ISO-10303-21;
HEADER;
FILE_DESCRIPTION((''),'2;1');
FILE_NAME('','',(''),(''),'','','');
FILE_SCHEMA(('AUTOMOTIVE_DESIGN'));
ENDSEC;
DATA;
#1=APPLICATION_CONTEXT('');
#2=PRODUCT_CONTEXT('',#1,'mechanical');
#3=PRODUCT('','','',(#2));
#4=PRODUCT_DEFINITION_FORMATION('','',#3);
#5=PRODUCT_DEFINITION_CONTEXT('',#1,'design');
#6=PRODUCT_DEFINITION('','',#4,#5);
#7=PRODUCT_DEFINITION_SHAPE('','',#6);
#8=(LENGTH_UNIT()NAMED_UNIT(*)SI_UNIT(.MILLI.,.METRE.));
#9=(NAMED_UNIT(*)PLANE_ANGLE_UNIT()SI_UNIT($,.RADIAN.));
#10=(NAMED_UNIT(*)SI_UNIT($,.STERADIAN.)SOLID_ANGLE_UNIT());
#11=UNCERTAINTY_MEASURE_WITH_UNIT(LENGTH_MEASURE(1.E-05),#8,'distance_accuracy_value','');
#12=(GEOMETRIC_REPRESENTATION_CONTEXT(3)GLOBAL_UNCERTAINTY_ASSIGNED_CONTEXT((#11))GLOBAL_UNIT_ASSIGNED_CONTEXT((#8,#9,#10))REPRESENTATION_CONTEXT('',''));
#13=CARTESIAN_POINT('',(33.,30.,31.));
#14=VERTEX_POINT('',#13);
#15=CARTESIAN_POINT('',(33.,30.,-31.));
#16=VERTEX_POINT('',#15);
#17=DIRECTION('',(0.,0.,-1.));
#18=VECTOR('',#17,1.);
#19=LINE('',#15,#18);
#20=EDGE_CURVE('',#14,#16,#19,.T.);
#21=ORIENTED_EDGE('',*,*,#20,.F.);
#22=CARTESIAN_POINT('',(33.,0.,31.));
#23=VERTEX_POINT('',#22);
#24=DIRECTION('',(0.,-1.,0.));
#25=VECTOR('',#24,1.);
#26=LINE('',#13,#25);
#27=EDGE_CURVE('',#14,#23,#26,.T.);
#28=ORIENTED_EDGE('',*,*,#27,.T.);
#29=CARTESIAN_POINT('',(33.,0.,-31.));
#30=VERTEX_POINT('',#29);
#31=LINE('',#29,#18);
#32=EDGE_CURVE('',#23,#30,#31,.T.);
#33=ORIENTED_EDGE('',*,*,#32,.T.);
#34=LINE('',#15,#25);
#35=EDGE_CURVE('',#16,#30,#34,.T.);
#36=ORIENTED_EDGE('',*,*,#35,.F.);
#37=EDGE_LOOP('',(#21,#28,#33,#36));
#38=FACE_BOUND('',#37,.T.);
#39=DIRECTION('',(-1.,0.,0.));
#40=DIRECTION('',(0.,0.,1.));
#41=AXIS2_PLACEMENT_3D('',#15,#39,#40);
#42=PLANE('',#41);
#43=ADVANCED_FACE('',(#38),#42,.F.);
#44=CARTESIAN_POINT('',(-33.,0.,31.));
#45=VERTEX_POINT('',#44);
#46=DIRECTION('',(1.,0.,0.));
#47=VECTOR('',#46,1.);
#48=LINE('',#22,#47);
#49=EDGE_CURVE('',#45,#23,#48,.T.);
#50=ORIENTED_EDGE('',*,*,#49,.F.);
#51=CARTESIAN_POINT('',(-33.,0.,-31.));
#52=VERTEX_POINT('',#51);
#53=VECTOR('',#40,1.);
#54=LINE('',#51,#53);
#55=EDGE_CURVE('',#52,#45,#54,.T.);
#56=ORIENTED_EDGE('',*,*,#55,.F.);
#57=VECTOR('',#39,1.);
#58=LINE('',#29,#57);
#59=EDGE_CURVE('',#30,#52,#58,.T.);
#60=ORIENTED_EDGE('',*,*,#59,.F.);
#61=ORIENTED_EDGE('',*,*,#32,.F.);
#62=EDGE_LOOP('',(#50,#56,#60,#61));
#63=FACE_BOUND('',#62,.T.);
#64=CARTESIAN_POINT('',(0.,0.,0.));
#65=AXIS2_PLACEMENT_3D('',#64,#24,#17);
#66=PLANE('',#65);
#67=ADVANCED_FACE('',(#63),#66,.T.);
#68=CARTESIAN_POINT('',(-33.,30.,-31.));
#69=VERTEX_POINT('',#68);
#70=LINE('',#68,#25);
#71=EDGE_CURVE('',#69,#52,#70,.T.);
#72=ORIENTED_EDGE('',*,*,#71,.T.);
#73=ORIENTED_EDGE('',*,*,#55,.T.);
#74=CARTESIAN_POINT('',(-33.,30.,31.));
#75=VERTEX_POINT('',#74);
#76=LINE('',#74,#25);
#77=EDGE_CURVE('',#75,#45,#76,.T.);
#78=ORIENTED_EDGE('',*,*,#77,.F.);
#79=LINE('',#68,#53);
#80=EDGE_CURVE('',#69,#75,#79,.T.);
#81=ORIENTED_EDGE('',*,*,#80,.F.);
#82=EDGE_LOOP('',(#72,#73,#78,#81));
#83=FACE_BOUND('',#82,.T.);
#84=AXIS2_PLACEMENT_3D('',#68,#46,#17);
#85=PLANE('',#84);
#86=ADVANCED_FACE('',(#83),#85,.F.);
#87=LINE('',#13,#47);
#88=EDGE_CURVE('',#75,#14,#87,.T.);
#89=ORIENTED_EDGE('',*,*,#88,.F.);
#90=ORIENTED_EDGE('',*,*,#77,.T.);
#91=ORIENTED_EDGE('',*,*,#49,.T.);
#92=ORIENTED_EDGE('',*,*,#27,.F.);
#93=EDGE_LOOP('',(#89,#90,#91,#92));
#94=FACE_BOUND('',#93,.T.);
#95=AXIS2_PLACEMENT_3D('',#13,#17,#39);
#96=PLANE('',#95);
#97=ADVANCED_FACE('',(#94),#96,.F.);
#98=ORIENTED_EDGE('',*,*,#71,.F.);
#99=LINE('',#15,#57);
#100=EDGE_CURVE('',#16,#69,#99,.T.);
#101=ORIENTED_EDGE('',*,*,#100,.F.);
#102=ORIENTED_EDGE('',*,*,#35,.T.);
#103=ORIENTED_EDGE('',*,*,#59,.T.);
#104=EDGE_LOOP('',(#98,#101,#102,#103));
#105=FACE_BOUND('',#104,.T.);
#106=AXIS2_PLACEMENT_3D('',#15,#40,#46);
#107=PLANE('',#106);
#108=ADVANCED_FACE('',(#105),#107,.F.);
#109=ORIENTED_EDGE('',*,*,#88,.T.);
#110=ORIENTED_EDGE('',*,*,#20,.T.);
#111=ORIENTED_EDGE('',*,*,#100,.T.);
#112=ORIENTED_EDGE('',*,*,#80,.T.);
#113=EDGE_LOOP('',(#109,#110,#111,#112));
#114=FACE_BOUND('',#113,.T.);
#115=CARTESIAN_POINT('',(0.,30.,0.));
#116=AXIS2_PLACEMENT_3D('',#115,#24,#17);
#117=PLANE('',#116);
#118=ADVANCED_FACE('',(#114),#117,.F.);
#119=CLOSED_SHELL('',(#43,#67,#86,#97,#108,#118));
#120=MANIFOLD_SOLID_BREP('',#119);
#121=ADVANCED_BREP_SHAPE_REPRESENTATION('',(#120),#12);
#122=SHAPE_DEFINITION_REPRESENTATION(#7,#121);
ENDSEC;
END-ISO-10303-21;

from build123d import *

# Parameters (mm, degrees)
ESQUISSE1_W        = 66
ESQUISSE1_H        = 62
BOSS_EXTRU_1_DEPTH = 30


with BuildPart() as part:
    # Esquisse1 → Boss.-Extru.1 (new body)
    with BuildSketch(Plane(origin=(0, 0, 0), x_dir=(1, 0, 0), z_dir=(0, 1, 0))):
        Rectangle(ESQUISSE1_W, ESQUISSE1_H)
    extrude(amount=BOSS_EXTRU_1_DEPTH)


solid = part.part
